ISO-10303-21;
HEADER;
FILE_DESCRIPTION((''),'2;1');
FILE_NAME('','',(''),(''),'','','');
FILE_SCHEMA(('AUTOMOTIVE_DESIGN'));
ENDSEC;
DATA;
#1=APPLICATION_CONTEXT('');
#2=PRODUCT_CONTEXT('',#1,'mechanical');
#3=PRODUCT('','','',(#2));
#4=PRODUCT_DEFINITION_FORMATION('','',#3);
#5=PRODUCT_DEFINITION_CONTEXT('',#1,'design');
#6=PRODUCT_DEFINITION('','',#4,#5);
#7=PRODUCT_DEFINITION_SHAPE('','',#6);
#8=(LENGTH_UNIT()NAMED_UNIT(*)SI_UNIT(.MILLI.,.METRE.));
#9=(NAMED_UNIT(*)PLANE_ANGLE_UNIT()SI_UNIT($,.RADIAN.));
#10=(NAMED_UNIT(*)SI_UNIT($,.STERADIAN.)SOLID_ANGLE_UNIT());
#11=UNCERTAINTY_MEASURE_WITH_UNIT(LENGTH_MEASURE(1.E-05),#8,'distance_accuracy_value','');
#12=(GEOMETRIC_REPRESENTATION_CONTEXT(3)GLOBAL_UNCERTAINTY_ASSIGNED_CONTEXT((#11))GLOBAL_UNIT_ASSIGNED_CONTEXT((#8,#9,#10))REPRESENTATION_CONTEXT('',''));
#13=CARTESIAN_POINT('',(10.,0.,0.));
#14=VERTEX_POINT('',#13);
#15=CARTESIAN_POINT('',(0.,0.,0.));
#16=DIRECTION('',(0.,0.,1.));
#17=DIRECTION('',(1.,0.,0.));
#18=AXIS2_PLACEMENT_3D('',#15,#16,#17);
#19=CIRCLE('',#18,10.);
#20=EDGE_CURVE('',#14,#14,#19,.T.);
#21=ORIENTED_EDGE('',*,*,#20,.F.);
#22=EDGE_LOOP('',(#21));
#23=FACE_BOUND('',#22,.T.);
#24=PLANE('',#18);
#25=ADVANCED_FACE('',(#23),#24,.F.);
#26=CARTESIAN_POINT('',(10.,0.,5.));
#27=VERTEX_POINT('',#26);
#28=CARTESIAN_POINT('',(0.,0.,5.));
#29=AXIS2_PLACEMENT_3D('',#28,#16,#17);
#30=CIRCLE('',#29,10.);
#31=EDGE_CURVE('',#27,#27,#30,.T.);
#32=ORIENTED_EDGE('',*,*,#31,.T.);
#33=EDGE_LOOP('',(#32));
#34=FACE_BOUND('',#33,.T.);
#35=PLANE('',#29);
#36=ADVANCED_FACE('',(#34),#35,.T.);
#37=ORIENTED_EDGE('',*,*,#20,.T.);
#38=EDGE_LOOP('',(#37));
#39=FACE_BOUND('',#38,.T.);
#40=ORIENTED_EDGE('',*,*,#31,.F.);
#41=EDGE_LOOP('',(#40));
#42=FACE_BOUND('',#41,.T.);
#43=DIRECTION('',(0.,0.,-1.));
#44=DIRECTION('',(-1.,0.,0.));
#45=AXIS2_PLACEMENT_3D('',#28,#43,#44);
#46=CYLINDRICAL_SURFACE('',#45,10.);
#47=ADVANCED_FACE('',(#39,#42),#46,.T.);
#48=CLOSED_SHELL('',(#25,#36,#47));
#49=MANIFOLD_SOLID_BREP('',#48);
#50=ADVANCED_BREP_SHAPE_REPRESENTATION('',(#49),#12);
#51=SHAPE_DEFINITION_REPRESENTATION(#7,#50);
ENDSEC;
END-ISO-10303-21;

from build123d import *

# Parameters (mm, degrees)
SKETCH1_R           = 10
BOSS_EXTRUDE1_DEPTH = 5


with BuildPart() as part:
    # Sketch1 → Boss-Extrude1 (new body)
    with BuildSketch(Plane.XY):
        Circle(SKETCH1_R)
    extrude(amount=BOSS_EXTRUDE1_DEPTH)


solid = part.part
